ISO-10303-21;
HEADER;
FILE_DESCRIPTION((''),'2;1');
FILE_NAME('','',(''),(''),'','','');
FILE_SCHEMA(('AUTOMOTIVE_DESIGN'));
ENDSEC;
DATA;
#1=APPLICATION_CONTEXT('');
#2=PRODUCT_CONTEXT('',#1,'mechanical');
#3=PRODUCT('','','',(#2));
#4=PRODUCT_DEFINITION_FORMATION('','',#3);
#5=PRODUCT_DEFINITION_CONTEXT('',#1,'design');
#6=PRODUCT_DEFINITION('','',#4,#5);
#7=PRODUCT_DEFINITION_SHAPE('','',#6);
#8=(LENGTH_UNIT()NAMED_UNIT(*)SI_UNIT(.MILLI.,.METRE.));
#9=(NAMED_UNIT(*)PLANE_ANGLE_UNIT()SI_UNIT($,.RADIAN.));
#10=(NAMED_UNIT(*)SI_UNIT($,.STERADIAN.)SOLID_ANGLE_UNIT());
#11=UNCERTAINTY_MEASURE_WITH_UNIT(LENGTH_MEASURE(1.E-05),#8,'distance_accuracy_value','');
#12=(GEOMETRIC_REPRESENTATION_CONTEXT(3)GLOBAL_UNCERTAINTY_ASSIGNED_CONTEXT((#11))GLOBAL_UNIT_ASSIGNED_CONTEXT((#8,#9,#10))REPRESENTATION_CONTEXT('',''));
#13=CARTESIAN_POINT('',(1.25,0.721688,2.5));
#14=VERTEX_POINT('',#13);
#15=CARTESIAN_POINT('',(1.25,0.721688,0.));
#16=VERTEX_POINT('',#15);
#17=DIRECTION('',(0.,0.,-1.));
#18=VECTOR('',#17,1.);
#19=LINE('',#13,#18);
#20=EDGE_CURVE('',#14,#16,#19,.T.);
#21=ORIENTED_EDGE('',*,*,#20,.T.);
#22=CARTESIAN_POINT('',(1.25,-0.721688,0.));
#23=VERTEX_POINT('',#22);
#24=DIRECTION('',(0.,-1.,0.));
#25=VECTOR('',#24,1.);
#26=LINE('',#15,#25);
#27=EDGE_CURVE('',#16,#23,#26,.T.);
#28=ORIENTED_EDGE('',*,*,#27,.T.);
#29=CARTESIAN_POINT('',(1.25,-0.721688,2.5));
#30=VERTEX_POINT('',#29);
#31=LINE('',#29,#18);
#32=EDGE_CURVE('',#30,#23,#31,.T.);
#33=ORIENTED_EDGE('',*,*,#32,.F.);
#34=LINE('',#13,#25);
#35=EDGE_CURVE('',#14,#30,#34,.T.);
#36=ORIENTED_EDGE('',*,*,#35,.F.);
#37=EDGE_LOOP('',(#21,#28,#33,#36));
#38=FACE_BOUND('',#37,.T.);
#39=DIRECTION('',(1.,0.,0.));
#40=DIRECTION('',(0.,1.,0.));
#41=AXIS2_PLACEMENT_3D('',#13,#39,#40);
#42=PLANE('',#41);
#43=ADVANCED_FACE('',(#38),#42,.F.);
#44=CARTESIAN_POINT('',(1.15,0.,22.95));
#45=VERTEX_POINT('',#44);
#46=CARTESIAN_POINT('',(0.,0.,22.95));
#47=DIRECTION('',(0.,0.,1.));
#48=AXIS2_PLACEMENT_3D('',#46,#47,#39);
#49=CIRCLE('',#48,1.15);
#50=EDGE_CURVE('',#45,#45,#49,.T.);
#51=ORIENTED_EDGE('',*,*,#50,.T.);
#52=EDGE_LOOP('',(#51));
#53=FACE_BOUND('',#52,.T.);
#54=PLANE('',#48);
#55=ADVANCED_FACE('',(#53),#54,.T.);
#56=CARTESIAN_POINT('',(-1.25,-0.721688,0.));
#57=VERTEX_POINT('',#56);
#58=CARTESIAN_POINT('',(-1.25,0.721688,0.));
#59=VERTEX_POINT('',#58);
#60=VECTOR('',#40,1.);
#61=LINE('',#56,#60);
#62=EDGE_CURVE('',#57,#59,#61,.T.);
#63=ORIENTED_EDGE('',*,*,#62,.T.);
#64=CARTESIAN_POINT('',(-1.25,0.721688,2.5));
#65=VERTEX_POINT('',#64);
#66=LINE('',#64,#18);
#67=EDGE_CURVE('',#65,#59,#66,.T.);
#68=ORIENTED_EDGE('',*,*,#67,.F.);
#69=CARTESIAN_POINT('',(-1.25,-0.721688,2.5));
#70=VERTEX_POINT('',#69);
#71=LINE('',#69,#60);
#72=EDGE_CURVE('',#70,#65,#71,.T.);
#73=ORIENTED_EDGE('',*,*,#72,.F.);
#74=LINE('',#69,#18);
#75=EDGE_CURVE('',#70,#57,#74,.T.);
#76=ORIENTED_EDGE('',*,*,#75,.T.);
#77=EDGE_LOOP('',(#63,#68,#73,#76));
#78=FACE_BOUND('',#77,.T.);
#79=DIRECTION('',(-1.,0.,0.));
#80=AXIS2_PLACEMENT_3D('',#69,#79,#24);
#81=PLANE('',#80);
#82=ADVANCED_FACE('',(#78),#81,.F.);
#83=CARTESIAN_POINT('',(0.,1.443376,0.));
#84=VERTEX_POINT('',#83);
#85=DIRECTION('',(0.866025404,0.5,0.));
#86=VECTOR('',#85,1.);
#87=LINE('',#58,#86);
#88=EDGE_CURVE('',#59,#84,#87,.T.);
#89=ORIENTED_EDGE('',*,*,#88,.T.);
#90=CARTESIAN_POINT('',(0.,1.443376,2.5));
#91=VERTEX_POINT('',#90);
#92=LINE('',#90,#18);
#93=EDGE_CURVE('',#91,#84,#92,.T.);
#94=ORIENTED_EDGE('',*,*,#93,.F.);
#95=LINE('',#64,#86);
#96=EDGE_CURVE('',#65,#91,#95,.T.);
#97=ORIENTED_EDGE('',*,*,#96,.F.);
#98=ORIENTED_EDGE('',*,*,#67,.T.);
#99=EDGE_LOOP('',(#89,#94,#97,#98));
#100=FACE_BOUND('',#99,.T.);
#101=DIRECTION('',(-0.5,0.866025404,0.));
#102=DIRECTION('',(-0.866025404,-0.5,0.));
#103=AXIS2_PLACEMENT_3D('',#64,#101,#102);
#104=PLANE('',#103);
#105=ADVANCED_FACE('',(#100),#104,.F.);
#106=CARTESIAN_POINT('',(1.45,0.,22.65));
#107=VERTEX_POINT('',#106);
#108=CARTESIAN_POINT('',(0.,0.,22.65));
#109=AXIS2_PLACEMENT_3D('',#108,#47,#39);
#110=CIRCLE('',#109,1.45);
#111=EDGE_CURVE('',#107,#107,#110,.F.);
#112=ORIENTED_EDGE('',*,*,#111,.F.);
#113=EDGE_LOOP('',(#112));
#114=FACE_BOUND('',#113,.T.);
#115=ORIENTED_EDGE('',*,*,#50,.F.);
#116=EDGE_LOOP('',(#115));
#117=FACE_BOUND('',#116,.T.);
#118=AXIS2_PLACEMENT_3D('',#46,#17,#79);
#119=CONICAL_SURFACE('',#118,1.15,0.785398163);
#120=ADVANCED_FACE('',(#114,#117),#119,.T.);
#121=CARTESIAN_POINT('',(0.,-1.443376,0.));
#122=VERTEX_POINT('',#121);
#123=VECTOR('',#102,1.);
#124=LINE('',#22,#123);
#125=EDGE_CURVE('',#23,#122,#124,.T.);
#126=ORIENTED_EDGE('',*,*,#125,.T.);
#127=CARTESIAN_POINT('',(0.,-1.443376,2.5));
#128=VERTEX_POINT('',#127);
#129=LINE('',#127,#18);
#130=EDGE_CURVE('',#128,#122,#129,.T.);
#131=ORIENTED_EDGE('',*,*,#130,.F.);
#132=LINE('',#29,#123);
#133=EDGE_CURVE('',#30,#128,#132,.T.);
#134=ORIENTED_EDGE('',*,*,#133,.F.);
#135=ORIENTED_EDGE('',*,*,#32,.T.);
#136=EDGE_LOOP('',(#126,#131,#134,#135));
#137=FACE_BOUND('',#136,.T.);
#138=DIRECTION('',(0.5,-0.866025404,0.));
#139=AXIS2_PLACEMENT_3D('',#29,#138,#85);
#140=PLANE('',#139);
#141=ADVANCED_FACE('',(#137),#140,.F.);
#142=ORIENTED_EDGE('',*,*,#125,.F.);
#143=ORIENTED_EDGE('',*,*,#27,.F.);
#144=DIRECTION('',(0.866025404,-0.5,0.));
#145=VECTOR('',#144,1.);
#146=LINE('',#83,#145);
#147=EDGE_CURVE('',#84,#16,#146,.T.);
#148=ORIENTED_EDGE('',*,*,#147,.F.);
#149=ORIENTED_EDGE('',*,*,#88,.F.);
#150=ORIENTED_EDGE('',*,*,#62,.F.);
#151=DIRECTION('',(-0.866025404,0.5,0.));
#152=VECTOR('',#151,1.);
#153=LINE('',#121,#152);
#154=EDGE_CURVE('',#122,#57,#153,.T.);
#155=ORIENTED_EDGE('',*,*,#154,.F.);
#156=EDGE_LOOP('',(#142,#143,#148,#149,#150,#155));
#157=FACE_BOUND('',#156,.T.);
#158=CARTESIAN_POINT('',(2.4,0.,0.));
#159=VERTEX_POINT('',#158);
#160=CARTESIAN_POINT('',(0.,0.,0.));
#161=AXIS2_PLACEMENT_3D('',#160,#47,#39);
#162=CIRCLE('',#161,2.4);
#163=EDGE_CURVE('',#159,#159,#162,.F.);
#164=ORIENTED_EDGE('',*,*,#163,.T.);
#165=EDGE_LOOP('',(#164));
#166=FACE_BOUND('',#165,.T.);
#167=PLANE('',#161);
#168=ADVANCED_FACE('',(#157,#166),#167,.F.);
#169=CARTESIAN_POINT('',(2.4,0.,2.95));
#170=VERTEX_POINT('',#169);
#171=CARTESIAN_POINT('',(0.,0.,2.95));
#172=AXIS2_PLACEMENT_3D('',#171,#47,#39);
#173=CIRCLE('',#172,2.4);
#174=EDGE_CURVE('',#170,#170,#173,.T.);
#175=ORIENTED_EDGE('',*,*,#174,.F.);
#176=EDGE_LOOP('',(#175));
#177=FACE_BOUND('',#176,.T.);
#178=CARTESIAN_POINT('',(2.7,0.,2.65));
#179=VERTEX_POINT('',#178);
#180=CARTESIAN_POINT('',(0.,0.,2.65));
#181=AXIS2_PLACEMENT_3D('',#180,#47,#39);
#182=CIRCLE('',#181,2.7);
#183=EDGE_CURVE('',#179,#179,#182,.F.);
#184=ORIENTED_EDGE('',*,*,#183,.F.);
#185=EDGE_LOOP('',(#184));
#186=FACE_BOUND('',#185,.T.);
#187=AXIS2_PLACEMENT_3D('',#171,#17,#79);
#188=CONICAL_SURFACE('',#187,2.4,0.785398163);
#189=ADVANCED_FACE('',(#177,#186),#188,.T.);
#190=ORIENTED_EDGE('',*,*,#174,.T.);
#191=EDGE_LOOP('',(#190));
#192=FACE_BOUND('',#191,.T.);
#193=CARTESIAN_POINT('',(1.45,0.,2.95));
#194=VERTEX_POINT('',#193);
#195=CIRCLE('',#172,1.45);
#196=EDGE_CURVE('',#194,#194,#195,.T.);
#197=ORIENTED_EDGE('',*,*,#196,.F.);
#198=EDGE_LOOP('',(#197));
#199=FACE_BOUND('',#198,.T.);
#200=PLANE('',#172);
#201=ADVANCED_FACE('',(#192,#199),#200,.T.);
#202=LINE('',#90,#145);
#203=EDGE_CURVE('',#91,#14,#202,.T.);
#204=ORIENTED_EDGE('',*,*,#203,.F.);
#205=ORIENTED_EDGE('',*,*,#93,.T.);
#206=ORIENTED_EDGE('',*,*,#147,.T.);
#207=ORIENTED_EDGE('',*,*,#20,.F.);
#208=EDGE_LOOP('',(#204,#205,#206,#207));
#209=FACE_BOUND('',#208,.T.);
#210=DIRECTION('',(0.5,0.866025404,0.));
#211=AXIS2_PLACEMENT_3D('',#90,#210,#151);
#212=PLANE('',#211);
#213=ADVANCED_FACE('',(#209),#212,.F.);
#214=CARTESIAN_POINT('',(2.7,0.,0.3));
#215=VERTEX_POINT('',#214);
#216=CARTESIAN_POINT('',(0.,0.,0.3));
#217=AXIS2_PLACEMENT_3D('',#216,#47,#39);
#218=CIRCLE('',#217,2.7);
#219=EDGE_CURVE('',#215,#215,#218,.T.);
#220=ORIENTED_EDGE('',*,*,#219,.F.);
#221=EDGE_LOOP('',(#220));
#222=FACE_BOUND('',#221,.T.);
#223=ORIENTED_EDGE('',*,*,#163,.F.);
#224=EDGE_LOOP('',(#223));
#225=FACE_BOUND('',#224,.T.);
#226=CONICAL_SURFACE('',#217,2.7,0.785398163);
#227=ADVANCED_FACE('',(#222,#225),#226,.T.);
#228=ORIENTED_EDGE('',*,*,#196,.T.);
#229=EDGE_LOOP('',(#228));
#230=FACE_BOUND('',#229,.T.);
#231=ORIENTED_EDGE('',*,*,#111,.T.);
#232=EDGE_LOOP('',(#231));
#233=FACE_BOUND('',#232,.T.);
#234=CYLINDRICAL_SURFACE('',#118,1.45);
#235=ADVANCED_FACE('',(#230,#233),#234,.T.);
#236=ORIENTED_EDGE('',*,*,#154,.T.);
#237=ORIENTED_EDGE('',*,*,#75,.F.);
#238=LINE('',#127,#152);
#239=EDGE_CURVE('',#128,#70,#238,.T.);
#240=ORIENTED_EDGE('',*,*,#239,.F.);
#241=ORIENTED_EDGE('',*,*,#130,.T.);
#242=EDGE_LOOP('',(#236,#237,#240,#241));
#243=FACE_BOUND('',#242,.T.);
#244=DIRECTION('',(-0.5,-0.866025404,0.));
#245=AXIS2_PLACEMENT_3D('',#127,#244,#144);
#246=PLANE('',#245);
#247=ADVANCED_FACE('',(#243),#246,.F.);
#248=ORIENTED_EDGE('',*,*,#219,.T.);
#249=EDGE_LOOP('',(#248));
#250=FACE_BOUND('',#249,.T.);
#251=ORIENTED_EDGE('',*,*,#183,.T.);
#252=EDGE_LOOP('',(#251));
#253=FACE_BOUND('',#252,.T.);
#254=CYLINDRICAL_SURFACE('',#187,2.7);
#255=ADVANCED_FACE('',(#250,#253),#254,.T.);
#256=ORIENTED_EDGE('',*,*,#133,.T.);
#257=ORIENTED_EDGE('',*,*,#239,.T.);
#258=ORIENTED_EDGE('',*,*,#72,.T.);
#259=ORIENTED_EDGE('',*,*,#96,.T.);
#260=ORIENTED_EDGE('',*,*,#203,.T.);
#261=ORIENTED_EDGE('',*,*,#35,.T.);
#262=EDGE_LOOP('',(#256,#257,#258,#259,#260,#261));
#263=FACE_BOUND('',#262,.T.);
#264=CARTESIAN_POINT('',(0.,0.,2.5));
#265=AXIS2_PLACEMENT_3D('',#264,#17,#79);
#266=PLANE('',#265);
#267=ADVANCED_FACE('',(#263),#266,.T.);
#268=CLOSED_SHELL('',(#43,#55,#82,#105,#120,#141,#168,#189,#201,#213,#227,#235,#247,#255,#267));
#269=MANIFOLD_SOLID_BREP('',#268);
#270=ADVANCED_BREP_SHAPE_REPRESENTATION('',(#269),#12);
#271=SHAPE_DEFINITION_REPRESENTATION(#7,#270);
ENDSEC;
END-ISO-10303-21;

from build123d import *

# Parameters (mm, degrees)
SKIZZE1_R                       = 2.7
AUFSATZ_LINEAR_AUSTRAGEN1_DEPTH = 2.95
SKIZZE2_R                       = 1.45
AUFSATZ_LINEAR_AUSTRAGEN2_DEPTH = 20
FASE1_SIZE                      = 0.3
SCHNITT_LINEAR_AUSTRAGEN1_DEPTH = 2.5


with BuildPart() as part:
    # Skizze1 → Aufsatz-Linear austragen1 (new body)
    with BuildSketch(Plane.XY):
        Circle(SKIZZE1_R)
    extrude(amount=AUFSATZ_LINEAR_AUSTRAGEN1_DEPTH)

    # Skizze2 → Aufsatz-Linear austragen2 (add)
    with BuildSketch(Plane.XY.offset(2.95)):
        Circle(SKIZZE2_R)
    extrude(amount=AUFSATZ_LINEAR_AUSTRAGEN2_DEPTH)

    # Fase1
    fase1_edges = [part.edges().sort_by_distance(p)[0] for p in [
        (-2.7, 0, 0),
        (-2.7, 0, 2.95),
        (-1.45, 0, 22.95),
    ]]
    chamfer(fase1_edges, length=FASE1_SIZE)

    # Skizze3 → Schnitt-Linear austragen1 (cut)
    with BuildSketch(Plane(origin=(0, 0, 0), x_dir=(-1, 0, 0), z_dir=(0, 0, -1))):
        Polygon((1.25, 0.721687836), (0, 1.443375673), (-1.25, 0.721687836), (-1.25, -0.721687836), (0, -1.443375673), (1.25, -0.721687836), align=None)
    extrude(amount=-SCHNITT_LINEAR_AUSTRAGEN1_DEPTH, mode=Mode.SUBTRACT)


solid = part.part
